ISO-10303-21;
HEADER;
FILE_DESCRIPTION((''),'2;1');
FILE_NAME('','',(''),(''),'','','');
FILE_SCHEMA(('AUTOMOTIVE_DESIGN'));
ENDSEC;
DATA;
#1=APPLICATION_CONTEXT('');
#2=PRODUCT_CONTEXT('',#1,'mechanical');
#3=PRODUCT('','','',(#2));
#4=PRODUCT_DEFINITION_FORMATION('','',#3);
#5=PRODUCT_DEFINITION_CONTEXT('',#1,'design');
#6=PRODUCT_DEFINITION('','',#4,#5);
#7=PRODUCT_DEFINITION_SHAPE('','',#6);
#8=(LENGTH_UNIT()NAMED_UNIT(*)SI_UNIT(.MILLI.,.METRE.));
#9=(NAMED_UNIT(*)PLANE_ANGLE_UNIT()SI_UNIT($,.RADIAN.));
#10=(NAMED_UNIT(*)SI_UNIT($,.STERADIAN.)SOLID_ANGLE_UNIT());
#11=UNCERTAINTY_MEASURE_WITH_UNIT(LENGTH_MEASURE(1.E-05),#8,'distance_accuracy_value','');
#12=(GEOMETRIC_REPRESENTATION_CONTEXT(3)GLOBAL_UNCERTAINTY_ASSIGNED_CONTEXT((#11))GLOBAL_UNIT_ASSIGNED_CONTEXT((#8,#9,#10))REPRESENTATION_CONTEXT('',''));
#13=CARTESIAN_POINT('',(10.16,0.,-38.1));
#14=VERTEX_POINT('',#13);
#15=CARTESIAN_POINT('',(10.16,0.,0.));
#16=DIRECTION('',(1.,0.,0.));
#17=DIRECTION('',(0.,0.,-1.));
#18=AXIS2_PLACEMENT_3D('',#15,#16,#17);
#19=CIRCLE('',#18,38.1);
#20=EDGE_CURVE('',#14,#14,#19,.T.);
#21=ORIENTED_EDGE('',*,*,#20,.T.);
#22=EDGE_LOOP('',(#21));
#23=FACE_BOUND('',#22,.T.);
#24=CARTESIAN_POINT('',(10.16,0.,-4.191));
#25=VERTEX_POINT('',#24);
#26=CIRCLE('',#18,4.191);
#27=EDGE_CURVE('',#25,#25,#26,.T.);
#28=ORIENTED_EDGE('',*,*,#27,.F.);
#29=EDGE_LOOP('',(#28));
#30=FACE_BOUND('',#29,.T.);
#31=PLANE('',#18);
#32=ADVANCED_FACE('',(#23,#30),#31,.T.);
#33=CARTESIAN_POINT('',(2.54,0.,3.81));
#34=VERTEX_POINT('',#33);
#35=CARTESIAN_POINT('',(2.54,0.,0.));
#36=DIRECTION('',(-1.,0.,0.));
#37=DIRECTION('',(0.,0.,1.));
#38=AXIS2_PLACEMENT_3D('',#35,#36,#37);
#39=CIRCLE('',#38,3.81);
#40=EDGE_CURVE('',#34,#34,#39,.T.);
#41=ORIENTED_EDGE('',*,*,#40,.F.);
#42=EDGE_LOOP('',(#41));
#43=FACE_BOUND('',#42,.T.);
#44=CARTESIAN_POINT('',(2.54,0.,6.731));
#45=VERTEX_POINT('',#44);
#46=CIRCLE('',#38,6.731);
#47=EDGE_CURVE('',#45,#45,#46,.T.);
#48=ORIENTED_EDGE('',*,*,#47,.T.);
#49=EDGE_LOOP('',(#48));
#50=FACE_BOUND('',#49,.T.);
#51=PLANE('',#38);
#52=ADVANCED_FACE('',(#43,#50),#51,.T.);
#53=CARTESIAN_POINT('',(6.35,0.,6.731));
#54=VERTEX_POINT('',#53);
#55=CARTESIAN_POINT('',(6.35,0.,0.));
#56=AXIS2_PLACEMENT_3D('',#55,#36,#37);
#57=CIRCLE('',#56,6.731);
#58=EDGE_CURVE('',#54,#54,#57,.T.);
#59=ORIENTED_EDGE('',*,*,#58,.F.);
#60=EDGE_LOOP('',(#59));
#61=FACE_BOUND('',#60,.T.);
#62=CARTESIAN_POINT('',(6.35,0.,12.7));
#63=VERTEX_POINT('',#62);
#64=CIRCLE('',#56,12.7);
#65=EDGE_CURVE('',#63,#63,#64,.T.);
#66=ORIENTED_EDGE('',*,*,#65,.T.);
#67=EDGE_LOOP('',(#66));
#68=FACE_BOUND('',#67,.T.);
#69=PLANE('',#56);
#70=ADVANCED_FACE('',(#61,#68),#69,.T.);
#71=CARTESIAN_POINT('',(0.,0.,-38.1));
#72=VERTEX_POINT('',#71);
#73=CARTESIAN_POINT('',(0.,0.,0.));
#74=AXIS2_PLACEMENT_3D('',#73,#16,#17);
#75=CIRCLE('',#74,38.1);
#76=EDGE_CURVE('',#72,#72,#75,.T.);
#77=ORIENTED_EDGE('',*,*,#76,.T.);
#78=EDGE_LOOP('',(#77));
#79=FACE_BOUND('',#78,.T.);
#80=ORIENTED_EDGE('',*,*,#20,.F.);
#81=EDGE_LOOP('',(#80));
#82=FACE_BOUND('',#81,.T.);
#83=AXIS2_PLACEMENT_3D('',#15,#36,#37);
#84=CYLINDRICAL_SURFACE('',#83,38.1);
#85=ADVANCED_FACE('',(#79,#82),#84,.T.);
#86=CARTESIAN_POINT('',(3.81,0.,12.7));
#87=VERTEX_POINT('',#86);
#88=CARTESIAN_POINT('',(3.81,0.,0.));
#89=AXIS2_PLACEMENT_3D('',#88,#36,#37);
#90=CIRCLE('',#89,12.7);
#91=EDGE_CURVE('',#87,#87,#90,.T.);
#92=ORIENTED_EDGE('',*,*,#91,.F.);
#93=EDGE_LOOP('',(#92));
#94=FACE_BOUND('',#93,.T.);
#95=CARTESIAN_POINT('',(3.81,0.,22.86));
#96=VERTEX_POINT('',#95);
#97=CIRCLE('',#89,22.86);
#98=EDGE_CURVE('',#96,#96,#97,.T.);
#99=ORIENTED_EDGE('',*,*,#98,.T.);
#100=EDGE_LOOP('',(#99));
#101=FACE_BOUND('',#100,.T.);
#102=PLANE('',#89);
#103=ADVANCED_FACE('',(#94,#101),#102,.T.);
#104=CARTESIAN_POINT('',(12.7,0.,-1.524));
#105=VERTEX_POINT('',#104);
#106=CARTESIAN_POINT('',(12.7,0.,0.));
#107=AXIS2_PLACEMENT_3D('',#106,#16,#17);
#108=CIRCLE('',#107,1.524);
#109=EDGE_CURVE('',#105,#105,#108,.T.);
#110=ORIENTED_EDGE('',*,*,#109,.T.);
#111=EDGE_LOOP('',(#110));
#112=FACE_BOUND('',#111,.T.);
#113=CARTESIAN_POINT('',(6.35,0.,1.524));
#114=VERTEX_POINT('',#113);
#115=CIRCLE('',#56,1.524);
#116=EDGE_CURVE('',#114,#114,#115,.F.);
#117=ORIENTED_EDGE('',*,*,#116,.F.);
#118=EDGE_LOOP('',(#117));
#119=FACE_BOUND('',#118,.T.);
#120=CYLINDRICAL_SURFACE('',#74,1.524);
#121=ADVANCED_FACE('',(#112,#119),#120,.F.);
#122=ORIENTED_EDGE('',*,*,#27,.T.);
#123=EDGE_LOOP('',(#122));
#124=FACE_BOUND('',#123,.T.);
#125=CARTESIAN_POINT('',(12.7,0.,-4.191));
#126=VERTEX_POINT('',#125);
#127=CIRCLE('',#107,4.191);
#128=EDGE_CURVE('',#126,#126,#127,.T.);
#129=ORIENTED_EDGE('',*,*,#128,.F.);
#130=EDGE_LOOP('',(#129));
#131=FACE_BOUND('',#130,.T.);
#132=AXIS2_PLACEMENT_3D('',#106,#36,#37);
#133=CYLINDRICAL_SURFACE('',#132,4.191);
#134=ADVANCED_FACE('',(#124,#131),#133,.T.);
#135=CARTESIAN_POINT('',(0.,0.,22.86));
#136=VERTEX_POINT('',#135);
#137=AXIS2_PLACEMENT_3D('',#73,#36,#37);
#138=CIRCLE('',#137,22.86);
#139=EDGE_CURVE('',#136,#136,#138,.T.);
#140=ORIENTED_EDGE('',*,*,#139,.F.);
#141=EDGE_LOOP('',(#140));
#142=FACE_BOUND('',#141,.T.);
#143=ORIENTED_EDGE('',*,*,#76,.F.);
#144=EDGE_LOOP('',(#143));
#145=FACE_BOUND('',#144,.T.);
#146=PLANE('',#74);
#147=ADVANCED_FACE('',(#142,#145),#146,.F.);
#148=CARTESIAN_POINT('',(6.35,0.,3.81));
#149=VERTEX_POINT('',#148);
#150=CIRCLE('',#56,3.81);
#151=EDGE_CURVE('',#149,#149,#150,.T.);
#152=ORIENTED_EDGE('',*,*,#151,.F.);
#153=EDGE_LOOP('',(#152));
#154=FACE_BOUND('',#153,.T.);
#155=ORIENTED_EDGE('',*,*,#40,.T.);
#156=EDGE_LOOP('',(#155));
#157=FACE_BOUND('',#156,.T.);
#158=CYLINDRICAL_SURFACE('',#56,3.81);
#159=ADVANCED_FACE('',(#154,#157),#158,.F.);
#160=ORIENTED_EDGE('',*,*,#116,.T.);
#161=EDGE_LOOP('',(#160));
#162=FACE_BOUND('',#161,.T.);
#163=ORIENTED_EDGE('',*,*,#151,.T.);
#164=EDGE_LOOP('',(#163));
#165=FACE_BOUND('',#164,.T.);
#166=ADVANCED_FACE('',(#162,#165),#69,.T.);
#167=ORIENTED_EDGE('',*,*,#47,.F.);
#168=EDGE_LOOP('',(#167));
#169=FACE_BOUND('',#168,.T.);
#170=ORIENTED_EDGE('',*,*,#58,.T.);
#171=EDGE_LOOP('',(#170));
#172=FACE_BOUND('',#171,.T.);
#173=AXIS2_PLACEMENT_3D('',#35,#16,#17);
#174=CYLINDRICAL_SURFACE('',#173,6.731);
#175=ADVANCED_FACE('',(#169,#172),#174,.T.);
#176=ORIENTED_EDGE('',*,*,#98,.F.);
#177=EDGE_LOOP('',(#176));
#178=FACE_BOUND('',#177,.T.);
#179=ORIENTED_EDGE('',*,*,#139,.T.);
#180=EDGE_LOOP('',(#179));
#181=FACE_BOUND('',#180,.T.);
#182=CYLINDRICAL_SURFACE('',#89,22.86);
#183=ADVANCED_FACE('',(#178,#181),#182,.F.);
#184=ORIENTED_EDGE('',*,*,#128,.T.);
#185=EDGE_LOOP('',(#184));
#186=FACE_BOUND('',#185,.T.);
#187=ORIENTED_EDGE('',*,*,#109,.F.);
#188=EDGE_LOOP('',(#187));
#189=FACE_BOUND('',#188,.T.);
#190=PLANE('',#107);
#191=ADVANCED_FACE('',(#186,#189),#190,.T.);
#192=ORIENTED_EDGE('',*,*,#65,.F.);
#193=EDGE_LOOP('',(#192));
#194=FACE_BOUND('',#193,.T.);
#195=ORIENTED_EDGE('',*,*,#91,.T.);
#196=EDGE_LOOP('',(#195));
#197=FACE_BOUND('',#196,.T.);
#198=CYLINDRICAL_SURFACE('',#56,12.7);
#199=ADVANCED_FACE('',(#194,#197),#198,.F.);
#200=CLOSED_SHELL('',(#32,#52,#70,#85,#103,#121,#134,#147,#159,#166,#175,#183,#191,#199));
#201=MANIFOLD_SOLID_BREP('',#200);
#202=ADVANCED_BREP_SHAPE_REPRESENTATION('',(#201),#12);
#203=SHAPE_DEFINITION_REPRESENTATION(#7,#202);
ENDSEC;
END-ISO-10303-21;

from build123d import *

# Parameters (mm, degrees)
SKETCH1_R           = 38.1
BOSS_EXTRUDE1_DEPTH = 10.16
SKETCH3_R           = 4.191
BOSS_EXTRUDE2_DEPTH = 2.54
SKETCH4_R           = 1.524
CUT_EXTRUDE1_DEPTH  = 13.7
SKETCH5_R           = 22.86
CUT_EXTRUDE2_DEPTH  = 3.81
SKETCH6_R           = 12.7
CUT_EXTRUDE3_DEPTH  = 2.54
SKETCH7_R           = 6.731
BOSS_EXTRUDE3_DEPTH = 3.81
SKETCH9_R           = 3.81
CUT_EXTRUDE4_DEPTH  = 3.81


with BuildPart() as part:
    # Sketch1 → Boss-Extrude1 (new body)
    with BuildSketch(Plane(origin=(0, 0, 0), x_dir=(0, 0, -1), z_dir=(1, 0, 0))):
        Circle(SKETCH1_R)
    extrude(amount=BOSS_EXTRUDE1_DEPTH)

    # Sketch3 → Boss-Extrude2 (add)
    with BuildSketch(Plane(origin=(10.16, 0, 0), x_dir=(0, 0, -1), z_dir=(1, 0, 0))):
        Circle(SKETCH3_R)
    extrude(amount=BOSS_EXTRUDE2_DEPTH)

    # Sketch4 → Cut-Extrude1 (cut, through all)
    with BuildSketch(Plane(origin=(12.7, 0, 0), x_dir=(0, 0, -1), z_dir=(1, 0, 0))):
        Circle(SKETCH4_R)
    extrude(amount=-CUT_EXTRUDE1_DEPTH, mode=Mode.SUBTRACT)

    # Sketch5 → Cut-Extrude2 (cut)
    with BuildSketch(Plane.ZY):
        Circle(SKETCH5_R)
    extrude(amount=-CUT_EXTRUDE2_DEPTH, mode=Mode.SUBTRACT)

    # Sketch6 → Cut-Extrude3 (cut)
    with BuildSketch(Plane.ZY.offset(-3.81)):
        Circle(SKETCH6_R)
    extrude(amount=-CUT_EXTRUDE3_DEPTH, mode=Mode.SUBTRACT)

    # Sketch7 → Boss-Extrude3 (add)
    with BuildSketch(Plane.ZY.offset(-6.35)):
        Circle(SKETCH7_R)
    extrude(amount=BOSS_EXTRUDE3_DEPTH)

    # Sketch9 → Cut-Extrude4 (cut)
    with BuildSketch(Plane.ZY.offset(-2.54)):
        Circle(SKETCH9_R)
    extrude(amount=-CUT_EXTRUDE4_DEPTH, mode=Mode.SUBTRACT)


solid = part.part
